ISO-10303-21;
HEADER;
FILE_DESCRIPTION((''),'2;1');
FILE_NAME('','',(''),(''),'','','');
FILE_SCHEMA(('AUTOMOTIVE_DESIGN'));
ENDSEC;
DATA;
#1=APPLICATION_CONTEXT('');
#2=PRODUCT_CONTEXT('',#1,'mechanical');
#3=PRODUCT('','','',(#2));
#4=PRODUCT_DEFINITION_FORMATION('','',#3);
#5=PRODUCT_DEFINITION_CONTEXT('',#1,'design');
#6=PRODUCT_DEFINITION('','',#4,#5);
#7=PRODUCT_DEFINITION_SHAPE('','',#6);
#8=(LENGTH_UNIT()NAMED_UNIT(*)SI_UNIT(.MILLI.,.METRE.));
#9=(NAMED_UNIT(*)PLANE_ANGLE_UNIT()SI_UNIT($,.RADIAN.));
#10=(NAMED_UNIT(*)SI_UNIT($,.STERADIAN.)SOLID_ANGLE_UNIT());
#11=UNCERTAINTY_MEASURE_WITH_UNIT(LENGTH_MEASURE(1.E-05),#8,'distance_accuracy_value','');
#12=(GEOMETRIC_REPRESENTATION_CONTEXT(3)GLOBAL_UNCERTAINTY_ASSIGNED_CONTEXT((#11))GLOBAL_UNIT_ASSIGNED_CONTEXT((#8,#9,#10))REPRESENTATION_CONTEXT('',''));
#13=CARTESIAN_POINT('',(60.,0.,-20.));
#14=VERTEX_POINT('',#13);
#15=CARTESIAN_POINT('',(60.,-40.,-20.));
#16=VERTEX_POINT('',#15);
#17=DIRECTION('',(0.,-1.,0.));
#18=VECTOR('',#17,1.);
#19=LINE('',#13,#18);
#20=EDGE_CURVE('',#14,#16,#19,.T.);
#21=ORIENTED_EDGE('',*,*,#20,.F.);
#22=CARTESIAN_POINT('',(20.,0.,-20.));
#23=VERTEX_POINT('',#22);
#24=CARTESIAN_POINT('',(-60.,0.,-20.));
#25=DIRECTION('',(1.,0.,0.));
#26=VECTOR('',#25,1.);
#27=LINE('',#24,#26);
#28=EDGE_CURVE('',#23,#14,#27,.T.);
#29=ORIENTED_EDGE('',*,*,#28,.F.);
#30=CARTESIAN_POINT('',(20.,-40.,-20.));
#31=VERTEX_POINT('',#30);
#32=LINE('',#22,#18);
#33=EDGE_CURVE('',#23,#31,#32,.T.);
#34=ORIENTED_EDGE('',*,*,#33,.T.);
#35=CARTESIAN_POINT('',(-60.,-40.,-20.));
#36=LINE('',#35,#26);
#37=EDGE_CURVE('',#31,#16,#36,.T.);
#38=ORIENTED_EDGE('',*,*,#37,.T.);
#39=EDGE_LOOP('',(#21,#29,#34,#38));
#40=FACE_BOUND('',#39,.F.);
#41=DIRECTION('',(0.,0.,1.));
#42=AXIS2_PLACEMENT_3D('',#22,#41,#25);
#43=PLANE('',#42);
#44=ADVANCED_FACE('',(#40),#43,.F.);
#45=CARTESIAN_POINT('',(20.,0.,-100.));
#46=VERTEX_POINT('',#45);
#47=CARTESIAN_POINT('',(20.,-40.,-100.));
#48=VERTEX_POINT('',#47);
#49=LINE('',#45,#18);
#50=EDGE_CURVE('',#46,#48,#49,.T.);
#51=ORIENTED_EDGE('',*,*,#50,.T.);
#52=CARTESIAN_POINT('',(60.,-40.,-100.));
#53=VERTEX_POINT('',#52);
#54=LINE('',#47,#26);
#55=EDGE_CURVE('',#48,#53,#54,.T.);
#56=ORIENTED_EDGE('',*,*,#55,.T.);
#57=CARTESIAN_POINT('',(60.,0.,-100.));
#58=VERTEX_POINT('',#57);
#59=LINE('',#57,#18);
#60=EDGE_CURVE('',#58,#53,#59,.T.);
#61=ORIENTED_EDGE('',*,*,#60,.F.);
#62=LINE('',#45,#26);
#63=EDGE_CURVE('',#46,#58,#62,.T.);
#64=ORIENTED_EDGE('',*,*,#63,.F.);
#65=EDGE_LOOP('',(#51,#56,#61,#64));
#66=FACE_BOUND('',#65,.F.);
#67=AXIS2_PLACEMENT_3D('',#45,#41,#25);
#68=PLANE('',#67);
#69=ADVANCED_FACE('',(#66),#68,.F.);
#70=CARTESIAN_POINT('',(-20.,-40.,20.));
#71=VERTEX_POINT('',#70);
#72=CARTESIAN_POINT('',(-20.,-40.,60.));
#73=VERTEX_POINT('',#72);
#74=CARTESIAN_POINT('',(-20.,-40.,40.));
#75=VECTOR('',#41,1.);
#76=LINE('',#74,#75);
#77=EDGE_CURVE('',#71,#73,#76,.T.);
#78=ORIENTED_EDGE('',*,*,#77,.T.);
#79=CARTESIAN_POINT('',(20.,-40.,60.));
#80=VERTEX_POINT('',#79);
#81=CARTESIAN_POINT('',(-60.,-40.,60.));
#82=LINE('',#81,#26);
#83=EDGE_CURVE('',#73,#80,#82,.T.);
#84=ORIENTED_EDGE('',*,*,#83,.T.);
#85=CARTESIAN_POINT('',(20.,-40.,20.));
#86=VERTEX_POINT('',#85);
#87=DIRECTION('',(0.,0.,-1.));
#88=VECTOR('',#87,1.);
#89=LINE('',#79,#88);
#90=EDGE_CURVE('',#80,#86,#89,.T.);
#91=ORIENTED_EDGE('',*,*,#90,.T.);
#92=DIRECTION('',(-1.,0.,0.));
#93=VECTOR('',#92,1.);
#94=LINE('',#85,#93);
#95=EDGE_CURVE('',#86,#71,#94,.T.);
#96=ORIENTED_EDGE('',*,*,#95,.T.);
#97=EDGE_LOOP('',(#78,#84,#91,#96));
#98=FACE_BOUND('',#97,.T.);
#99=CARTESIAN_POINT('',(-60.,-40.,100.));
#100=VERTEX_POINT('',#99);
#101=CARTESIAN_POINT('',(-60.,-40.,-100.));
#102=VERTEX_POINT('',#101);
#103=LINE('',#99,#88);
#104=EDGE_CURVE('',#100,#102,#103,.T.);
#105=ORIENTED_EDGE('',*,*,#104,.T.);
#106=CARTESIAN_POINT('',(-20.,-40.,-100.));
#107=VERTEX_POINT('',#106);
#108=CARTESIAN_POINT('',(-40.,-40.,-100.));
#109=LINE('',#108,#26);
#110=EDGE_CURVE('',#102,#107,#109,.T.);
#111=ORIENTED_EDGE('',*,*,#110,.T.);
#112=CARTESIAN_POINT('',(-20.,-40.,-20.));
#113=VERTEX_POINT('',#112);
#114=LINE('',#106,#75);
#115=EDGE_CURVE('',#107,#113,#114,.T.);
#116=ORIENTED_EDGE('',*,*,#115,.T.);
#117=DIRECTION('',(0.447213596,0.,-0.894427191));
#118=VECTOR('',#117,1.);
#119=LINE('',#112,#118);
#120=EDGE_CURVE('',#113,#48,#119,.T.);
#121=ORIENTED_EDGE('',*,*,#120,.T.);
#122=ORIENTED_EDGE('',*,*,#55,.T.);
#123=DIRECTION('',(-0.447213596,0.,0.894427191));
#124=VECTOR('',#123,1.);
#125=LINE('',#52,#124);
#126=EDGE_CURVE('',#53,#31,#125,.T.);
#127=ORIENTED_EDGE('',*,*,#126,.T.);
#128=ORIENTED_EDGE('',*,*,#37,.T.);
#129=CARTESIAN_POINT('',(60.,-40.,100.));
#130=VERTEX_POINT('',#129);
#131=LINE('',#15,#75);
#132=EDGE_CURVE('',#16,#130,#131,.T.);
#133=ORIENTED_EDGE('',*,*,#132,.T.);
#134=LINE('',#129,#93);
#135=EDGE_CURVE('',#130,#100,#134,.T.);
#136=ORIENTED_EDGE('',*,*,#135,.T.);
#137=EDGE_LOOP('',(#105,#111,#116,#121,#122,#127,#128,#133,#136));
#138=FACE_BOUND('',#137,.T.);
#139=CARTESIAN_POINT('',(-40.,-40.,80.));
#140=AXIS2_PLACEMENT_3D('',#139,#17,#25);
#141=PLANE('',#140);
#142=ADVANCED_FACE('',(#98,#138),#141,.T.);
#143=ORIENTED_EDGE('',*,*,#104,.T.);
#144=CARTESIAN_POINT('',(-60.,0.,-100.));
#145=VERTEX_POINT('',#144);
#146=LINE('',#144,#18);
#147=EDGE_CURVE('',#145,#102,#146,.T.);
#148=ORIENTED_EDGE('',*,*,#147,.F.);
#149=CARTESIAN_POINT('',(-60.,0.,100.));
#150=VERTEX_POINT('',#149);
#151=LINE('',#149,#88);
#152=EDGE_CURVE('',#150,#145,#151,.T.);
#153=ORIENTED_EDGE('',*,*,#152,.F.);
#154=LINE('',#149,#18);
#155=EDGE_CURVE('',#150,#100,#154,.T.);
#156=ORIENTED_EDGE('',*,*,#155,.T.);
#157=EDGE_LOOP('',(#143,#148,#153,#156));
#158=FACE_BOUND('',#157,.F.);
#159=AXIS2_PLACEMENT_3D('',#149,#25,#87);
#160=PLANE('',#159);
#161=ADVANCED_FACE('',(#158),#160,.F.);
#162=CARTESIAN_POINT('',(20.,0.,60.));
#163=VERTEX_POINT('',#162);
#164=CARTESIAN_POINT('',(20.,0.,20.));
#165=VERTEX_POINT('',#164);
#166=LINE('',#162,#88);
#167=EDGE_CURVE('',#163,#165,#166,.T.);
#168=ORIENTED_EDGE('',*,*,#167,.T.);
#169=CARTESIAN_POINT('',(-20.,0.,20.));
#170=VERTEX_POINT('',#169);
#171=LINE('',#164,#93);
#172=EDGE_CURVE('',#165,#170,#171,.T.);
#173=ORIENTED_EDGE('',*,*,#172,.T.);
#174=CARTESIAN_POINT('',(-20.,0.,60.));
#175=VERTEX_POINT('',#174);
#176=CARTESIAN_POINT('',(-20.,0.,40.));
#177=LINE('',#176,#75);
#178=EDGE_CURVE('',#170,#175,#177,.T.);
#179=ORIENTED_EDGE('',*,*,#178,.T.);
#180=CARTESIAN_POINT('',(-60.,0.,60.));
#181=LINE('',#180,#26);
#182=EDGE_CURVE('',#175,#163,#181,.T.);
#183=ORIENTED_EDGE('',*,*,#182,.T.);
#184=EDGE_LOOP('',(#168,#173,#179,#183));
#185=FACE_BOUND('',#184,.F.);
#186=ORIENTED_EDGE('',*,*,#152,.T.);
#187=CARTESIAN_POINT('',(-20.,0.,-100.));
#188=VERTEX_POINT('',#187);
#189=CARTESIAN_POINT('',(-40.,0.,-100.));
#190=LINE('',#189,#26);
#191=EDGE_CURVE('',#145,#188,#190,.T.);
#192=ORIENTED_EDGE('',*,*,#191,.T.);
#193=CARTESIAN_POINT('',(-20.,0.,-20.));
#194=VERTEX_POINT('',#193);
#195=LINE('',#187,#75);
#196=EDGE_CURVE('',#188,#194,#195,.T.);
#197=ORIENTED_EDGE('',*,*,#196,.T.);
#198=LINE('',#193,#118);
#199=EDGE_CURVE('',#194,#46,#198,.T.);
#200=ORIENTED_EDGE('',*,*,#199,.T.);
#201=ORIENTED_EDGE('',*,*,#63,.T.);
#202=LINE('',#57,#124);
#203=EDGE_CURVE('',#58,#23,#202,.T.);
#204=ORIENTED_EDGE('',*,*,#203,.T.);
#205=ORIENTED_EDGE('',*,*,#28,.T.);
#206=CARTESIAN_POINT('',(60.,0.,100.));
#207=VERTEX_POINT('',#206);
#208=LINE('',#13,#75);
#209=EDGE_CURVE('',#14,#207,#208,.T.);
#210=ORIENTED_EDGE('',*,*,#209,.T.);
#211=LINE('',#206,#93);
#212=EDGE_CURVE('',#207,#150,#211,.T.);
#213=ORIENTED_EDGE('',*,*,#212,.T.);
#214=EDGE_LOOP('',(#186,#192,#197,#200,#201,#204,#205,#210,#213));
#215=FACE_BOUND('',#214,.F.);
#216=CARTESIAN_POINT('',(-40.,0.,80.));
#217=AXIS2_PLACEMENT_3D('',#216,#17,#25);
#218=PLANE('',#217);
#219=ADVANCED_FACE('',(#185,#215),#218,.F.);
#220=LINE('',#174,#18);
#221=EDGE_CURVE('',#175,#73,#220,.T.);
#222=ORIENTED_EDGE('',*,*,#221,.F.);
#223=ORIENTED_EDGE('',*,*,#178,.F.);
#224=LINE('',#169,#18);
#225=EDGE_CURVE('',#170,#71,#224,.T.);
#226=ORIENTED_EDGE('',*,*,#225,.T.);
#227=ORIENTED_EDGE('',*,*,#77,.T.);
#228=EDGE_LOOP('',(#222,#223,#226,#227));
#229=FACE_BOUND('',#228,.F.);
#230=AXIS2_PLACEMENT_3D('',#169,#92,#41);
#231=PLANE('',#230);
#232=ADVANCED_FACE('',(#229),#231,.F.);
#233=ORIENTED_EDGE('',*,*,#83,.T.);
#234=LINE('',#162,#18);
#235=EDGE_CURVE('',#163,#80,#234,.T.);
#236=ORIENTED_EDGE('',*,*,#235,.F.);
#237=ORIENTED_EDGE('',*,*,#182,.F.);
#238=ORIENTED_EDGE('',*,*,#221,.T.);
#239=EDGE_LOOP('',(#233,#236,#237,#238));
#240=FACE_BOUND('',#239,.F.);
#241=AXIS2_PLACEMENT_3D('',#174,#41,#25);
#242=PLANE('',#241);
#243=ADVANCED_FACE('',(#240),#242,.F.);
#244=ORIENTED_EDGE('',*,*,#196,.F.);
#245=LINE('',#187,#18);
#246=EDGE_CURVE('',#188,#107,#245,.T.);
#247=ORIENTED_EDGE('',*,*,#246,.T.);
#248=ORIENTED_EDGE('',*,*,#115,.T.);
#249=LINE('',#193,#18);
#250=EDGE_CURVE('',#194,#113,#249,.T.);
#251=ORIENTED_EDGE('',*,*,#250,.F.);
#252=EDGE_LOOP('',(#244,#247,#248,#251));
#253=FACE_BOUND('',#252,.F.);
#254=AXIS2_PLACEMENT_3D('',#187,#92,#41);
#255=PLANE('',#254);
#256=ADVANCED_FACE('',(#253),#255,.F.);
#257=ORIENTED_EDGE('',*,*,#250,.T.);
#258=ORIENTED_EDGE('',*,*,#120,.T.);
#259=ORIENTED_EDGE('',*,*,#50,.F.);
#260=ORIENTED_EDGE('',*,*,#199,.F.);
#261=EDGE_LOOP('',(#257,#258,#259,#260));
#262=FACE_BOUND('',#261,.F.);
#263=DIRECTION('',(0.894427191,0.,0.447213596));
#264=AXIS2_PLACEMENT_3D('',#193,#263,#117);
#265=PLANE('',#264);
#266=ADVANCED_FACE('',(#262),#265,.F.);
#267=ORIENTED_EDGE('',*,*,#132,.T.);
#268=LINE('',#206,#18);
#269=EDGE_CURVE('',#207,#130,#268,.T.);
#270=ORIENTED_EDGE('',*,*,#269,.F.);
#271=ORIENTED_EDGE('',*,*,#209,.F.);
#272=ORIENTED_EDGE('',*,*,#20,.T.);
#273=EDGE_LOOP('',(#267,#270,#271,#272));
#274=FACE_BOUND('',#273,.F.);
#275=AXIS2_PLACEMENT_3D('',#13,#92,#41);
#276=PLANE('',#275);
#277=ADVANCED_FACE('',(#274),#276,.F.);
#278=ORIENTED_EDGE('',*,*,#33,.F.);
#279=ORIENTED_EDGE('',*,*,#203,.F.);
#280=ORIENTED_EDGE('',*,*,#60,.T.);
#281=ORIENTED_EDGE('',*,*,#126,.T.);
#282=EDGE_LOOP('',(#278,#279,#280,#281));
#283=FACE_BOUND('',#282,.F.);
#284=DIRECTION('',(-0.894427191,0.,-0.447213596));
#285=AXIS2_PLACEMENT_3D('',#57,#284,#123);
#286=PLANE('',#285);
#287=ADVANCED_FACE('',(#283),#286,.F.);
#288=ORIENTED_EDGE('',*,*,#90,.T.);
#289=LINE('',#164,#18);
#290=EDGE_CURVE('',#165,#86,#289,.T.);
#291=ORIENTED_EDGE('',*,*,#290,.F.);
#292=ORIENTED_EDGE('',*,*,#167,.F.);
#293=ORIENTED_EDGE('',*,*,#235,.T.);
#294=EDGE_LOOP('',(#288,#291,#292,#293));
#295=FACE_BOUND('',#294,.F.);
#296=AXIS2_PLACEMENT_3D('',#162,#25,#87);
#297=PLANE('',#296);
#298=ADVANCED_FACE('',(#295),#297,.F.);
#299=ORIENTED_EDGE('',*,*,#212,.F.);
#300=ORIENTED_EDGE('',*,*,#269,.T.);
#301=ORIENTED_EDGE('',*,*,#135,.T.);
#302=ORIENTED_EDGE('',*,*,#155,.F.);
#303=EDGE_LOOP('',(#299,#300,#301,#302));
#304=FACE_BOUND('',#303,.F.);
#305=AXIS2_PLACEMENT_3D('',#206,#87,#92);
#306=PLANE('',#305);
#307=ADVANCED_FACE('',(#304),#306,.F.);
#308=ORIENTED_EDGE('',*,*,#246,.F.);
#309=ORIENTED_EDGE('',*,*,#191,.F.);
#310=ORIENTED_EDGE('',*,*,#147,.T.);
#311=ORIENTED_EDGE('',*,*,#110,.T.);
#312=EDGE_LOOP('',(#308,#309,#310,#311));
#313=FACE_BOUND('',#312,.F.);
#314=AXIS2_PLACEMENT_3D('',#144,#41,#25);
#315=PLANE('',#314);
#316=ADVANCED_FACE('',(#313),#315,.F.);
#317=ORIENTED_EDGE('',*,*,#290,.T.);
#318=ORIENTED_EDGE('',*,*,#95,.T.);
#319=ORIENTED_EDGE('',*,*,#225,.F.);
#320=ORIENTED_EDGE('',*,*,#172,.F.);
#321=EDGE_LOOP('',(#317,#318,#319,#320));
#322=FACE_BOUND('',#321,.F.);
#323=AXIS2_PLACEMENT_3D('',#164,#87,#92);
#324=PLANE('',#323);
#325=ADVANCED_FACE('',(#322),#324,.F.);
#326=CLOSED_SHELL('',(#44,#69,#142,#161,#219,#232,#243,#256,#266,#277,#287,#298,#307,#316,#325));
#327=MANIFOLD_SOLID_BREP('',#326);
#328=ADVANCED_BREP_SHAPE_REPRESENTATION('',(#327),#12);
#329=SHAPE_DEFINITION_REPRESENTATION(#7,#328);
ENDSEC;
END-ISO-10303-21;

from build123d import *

# Parameters (mm, degrees)
F0_W     = 40
F0_H     = 40
F1_DEPTH = 40


with BuildPart() as f1:
    # F0 (on Front) → F1 (new body)
    with BuildSketch(Plane.XZ):
        with Locations((-40, 80)):
            Rectangle(F0_W, F0_H)
        with Locations((0, 80)):
            Rectangle(F0_W, F0_H)
        with Locations((40, 80)):
            Rectangle(F0_W, F0_H)
        with Locations((40, 40)):
            Rectangle(F0_W, F0_H)
        with Locations((40, 0)):
            Rectangle(F0_W, F0_H)
        Rectangle(F0_W, F0_H)
        with Locations((-40, 0)):
            Rectangle(F0_W, F0_H)
        with Locations((-40, -40)):
            Rectangle(F0_W, F0_H)
        with Locations((-40, -80)):
            Rectangle(F0_W, F0_H)
        with Locations((-40, 40)):
            Rectangle(F0_W, F0_H)
        Polygon((20, -60), (20, -20), (-20, -20), (0, -60), align=None)
        Polygon((40, -60), (20, -60), (20, -100), (60, -100), align=None)
        Polygon((20, -100), (20, -60), (0, -60), align=None)
        Polygon((40, -60), (20, -20), (20, -60), align=None)
    extrude(amount=F1_DEPTH)


solid = f1.part
